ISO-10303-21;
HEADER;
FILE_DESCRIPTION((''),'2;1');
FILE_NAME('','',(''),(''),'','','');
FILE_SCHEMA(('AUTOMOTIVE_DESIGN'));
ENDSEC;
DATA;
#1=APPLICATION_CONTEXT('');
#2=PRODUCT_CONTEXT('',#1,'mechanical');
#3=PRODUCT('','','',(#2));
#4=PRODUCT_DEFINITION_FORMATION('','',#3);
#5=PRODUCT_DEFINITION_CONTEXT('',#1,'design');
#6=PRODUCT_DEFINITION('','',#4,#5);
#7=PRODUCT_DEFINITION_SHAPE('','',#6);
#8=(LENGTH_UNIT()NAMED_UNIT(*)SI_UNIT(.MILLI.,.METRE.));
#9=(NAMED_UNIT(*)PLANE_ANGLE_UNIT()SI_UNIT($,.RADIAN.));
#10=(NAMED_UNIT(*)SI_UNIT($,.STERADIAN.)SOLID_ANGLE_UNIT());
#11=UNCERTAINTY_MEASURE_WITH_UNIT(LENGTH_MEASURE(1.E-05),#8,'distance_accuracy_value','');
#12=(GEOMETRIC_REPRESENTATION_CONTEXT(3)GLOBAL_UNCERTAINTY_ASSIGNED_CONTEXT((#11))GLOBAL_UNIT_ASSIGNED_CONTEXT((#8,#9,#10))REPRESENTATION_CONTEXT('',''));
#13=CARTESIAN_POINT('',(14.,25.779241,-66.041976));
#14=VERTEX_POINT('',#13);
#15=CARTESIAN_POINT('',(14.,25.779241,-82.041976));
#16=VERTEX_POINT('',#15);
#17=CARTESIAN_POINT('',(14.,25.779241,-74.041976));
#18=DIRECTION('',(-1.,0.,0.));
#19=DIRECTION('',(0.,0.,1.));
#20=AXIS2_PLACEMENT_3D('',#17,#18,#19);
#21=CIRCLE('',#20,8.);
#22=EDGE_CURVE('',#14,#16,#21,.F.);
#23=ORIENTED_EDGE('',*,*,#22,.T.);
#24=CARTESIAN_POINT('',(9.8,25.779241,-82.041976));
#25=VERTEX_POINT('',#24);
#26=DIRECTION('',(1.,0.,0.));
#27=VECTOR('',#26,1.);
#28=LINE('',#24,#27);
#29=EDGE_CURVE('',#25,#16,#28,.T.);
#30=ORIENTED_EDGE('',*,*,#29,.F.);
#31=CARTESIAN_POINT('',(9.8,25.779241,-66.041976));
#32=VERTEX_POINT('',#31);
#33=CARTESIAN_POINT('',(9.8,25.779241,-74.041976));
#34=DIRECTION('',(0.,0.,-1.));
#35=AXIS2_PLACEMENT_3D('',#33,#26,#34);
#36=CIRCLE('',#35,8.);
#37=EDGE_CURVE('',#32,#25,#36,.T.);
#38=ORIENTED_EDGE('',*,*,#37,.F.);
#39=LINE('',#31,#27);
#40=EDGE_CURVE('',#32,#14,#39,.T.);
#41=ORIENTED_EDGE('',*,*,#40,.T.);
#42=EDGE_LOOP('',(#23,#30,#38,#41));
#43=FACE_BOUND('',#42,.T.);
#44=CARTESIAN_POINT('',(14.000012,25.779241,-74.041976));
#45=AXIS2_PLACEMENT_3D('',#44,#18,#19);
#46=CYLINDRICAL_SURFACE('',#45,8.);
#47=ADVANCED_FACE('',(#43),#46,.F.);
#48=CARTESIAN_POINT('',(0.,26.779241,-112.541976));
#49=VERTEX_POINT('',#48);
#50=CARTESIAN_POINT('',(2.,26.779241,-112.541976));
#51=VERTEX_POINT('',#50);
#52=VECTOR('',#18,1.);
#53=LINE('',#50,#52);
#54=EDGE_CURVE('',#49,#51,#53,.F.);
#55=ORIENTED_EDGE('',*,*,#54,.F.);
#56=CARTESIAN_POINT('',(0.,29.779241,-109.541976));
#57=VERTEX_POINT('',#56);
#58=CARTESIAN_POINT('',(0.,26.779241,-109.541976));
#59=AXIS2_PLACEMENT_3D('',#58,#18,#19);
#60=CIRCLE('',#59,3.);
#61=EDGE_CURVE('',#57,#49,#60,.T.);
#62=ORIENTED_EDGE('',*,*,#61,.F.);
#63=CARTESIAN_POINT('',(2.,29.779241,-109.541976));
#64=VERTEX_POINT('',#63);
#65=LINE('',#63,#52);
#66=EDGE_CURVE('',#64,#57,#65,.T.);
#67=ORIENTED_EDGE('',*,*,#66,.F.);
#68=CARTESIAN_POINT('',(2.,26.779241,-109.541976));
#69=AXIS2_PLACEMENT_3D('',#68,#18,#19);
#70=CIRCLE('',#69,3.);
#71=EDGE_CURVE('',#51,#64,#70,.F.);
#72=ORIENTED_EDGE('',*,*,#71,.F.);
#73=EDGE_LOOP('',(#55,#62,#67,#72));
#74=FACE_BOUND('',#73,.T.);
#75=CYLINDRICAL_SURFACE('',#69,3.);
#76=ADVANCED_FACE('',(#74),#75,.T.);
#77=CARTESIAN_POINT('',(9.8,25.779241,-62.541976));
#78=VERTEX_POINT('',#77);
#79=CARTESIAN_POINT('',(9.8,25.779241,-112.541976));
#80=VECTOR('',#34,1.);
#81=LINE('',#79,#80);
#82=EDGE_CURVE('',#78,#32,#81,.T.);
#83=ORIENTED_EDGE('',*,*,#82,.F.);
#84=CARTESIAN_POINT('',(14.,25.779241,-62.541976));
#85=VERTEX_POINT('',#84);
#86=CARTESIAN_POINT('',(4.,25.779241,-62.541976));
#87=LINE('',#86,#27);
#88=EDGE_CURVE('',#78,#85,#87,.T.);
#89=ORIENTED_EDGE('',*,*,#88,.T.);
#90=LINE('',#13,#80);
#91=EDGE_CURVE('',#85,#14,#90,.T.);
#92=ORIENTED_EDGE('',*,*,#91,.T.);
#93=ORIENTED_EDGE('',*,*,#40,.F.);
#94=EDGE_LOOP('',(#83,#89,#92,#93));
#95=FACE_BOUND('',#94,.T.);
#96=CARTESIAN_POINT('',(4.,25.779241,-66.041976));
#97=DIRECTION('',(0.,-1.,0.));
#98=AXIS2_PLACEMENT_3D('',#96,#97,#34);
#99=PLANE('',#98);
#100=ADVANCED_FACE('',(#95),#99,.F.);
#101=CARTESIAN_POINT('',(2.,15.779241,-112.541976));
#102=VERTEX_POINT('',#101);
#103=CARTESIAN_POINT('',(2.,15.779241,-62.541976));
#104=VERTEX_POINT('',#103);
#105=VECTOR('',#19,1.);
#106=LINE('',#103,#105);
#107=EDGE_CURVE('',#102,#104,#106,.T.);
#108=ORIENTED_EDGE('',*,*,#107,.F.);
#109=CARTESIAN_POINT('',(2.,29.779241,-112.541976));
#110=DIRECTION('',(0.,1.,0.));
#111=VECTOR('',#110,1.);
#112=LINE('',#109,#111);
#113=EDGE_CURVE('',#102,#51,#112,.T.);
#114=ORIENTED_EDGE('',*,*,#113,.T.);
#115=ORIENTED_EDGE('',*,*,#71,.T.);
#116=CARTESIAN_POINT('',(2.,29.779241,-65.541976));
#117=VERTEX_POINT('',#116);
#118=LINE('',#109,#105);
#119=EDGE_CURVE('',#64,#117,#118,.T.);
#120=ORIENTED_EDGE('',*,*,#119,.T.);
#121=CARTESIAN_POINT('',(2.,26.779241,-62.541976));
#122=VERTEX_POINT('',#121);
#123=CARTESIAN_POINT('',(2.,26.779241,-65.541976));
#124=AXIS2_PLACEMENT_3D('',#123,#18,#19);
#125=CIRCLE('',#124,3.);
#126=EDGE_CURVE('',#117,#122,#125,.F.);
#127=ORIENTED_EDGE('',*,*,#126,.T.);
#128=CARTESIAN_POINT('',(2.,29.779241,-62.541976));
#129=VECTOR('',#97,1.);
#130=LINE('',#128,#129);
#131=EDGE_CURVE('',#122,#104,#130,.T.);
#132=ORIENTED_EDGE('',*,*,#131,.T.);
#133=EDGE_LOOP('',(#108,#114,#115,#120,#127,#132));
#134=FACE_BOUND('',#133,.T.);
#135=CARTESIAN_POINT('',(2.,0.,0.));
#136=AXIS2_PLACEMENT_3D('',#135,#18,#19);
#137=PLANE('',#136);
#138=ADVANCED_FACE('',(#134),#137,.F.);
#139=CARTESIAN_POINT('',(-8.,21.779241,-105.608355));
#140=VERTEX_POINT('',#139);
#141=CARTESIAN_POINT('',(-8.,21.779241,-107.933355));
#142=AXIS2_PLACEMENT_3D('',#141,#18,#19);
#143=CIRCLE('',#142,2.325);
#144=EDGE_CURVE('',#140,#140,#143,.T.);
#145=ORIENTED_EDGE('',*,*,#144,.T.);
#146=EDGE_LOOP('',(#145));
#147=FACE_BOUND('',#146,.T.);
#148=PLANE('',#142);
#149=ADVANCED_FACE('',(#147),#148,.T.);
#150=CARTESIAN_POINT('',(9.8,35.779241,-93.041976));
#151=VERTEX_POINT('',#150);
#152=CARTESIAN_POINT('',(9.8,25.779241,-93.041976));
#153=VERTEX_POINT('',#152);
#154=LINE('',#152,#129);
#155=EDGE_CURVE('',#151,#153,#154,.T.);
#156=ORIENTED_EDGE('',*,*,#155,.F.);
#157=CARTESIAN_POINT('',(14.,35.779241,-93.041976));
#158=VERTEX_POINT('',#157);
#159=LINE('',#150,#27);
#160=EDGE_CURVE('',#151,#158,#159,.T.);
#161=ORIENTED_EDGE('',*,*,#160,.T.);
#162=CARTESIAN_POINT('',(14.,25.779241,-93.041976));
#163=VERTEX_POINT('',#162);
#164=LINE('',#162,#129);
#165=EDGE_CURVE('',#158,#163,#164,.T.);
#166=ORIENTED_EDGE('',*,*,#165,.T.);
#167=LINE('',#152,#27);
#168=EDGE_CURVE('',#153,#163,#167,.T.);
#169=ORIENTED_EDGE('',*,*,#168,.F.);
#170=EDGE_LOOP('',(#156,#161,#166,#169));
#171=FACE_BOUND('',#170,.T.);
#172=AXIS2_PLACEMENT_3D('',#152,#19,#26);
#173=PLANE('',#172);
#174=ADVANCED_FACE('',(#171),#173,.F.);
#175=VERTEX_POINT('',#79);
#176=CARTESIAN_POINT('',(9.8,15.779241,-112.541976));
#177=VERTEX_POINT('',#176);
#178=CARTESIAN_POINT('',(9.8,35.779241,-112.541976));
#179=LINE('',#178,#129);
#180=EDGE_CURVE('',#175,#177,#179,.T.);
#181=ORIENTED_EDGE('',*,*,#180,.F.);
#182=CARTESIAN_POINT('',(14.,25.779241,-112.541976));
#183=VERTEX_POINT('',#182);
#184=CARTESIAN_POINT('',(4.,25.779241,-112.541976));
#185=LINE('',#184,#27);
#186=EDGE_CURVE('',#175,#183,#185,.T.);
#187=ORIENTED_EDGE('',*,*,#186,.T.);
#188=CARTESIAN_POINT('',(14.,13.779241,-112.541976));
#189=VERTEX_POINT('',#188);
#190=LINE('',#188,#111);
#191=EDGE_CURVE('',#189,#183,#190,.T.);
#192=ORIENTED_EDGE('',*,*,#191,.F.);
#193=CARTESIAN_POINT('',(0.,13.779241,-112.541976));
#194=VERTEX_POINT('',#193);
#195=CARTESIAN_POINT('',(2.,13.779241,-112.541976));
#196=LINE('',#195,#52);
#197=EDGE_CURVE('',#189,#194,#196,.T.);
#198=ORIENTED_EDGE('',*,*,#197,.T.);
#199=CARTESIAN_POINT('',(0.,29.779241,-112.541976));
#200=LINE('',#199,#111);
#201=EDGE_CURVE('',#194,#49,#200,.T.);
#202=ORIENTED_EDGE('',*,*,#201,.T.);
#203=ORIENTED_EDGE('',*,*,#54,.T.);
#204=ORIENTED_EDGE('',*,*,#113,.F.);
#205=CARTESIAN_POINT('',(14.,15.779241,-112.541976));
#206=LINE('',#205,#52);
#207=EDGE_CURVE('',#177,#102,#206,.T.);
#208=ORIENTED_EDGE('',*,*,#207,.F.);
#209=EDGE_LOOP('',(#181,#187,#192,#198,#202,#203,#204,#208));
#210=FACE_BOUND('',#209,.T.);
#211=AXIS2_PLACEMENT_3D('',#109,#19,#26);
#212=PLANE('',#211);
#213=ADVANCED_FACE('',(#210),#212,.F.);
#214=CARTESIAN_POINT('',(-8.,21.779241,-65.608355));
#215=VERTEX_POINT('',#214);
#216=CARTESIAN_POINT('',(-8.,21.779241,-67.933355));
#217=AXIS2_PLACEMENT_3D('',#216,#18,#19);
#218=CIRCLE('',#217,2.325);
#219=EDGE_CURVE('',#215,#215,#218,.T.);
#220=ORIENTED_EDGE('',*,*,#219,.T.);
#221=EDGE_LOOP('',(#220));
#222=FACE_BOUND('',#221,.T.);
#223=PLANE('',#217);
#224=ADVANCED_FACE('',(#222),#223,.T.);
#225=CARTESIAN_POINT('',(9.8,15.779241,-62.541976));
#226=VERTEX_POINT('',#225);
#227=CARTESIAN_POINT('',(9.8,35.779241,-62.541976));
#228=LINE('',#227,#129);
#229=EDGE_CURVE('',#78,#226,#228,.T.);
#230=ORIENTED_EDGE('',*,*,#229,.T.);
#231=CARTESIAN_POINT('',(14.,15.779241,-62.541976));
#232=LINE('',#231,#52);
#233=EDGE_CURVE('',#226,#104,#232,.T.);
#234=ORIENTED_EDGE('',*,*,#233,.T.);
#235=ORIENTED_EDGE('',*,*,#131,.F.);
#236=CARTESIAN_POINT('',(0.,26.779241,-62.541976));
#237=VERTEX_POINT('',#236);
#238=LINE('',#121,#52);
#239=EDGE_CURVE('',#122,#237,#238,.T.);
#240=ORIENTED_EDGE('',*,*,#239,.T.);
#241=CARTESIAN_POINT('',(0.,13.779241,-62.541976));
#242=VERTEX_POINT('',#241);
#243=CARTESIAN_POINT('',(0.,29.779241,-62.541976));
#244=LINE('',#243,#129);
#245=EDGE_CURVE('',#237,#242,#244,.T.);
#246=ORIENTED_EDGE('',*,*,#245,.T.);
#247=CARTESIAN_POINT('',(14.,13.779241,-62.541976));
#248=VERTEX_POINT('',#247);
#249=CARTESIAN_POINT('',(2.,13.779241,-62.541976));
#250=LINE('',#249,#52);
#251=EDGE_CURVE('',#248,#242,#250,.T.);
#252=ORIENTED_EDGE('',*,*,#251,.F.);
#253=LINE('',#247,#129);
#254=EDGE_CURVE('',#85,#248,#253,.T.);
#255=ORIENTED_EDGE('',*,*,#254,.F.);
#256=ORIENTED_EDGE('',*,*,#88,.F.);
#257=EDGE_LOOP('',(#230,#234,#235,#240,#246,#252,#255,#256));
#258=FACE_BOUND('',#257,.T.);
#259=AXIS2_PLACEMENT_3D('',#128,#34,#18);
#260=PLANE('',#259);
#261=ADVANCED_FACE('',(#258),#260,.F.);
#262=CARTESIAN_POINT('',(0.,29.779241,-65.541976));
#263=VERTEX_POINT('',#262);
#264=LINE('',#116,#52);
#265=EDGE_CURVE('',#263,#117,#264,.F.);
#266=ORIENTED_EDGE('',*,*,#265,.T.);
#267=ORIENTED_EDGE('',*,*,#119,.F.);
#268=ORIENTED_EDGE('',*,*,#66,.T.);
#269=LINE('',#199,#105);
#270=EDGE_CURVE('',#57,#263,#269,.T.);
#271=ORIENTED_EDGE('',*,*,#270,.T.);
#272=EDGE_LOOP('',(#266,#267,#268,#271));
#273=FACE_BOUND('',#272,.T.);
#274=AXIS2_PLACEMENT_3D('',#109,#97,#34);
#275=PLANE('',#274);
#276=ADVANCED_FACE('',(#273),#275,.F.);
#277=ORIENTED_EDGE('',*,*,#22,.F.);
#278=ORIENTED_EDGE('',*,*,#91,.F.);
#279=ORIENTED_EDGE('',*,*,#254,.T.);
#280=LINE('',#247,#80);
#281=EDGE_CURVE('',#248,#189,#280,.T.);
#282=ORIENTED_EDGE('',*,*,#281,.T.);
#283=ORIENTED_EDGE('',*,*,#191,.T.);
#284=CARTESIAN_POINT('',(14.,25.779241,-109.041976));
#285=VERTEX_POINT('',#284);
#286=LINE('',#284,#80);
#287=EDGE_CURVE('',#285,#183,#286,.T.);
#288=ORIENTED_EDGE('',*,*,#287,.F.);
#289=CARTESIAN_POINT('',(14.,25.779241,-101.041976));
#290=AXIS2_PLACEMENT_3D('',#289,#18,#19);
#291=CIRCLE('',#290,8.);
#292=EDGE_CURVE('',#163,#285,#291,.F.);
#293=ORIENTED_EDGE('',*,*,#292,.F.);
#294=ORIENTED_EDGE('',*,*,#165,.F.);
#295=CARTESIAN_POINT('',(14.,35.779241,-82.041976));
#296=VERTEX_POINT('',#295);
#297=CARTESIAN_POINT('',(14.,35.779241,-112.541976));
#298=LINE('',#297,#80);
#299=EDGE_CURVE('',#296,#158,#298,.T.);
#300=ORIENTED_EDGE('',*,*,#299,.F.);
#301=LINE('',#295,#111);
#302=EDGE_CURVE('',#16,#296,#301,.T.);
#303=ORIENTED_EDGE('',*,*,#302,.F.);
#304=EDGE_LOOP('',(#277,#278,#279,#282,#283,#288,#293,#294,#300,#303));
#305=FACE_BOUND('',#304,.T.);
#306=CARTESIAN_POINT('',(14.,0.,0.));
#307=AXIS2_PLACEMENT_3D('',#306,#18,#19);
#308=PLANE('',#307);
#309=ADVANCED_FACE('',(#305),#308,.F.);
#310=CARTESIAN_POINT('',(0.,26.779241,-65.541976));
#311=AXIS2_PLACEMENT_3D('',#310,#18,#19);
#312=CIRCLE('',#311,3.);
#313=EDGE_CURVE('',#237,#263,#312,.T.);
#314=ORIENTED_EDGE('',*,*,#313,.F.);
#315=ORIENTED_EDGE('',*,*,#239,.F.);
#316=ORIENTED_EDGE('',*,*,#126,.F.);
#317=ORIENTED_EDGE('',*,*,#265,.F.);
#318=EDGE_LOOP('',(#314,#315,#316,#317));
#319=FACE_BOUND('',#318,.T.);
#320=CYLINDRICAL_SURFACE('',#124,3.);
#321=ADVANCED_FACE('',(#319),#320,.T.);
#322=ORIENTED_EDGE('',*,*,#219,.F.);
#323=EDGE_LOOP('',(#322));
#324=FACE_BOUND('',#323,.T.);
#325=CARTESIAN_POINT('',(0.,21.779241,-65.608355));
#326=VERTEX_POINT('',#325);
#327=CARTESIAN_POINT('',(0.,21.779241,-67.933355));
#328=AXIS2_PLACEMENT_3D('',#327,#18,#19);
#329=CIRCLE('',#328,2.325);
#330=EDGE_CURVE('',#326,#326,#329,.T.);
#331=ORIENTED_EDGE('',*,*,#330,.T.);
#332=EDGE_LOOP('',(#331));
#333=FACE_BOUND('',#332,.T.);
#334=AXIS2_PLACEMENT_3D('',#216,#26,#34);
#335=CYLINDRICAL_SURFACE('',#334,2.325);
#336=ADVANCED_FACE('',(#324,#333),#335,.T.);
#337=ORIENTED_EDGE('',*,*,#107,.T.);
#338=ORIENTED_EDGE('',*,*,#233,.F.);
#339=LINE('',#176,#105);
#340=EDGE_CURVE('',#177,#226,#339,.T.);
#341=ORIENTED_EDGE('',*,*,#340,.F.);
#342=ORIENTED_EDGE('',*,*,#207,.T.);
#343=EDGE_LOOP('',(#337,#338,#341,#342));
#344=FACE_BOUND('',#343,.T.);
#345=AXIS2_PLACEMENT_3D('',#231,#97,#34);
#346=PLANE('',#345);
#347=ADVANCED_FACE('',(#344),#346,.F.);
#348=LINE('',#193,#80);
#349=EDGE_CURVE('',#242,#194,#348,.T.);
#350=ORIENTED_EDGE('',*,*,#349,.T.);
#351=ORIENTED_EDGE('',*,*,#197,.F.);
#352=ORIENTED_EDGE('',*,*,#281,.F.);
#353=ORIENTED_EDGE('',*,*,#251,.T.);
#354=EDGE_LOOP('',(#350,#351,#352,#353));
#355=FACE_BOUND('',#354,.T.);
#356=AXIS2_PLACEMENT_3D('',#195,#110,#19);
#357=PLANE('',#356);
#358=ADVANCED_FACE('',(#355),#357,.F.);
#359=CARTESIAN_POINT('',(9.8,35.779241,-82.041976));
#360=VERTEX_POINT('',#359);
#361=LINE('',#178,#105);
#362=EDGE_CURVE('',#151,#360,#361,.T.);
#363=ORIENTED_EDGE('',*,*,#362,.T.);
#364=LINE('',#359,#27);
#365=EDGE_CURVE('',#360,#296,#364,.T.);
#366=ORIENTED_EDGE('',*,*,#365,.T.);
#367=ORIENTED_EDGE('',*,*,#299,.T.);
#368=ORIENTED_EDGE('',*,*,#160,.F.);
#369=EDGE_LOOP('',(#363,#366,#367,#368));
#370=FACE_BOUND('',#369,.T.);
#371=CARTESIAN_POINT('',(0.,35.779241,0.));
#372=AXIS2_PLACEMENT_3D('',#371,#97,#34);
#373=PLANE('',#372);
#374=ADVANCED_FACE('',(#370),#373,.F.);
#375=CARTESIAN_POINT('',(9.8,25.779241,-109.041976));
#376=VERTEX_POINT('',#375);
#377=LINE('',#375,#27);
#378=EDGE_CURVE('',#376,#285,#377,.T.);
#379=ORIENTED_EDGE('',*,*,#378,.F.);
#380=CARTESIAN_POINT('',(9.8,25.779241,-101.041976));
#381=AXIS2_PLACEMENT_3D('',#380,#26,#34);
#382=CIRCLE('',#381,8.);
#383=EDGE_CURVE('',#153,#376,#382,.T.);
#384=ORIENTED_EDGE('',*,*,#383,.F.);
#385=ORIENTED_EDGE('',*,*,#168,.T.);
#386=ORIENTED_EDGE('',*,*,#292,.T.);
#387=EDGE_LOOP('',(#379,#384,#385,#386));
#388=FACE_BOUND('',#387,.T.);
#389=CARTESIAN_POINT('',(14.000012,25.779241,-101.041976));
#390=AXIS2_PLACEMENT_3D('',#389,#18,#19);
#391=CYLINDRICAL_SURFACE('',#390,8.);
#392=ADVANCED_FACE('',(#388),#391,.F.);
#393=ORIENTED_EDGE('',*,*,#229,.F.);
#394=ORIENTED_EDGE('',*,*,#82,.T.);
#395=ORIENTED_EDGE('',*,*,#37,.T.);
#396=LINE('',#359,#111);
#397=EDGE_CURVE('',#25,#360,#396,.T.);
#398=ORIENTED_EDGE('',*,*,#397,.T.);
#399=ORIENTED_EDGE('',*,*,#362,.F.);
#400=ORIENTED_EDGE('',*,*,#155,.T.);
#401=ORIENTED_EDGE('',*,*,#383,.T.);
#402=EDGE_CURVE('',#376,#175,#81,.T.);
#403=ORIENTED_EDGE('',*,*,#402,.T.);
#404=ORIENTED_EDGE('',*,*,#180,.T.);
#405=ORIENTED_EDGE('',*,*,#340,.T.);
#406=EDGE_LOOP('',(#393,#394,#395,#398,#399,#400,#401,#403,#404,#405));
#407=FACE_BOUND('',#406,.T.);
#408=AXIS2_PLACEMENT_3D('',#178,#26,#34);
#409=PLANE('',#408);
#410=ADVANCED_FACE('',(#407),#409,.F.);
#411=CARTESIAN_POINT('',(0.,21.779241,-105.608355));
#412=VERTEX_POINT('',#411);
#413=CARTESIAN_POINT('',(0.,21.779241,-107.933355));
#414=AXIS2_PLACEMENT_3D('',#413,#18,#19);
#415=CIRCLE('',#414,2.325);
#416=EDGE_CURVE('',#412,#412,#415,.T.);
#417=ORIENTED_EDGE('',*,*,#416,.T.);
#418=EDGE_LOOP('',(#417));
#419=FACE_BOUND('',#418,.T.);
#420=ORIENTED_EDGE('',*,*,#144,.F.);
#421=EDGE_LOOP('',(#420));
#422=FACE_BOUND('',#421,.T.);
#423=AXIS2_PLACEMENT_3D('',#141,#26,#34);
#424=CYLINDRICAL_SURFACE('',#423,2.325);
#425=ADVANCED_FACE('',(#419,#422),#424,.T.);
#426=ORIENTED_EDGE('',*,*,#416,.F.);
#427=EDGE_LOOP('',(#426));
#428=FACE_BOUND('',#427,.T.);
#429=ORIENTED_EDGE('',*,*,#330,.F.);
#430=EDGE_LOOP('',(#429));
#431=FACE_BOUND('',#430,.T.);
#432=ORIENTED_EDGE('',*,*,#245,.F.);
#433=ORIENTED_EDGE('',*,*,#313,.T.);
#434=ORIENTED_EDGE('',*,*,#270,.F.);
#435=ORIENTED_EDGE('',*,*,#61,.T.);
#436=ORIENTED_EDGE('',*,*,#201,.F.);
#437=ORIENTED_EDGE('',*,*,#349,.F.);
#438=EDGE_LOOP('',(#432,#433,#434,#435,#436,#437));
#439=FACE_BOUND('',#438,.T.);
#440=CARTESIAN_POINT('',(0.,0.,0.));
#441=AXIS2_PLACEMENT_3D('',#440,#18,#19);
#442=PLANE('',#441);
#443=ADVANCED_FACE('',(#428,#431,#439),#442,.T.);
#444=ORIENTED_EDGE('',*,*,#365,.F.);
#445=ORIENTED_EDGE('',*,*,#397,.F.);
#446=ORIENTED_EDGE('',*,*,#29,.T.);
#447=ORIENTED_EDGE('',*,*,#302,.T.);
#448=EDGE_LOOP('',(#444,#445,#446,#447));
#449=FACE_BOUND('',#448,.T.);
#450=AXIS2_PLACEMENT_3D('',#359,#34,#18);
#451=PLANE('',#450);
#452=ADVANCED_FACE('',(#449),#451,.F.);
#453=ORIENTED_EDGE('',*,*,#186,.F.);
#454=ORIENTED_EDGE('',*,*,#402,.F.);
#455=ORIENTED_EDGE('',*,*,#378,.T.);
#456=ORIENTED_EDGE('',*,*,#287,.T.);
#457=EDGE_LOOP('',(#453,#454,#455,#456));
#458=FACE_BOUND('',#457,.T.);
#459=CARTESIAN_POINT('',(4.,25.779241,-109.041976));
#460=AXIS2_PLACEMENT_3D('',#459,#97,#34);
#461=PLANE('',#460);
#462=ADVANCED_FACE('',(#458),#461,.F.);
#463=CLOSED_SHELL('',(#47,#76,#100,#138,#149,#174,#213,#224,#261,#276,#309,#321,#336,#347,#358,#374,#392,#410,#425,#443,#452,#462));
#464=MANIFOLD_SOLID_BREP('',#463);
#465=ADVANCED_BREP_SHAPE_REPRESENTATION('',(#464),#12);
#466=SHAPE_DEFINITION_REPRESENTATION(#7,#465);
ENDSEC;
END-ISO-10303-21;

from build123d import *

# Parameters (mm, degrees)
SKETCH1_W               = 50
SKETCH1_H               = 16
BOSS_EXTRUDE1_DEPTH     = 2
SKETCH2_R               = 2.325
BOSS_EXTRUDE2_DEPTH     = 8
SKETCH3_W               = 50
SKETCH3_H               = 2
BOSS_EXTRUDE3_DEPTH     = 12
SKETCH4_W               = 4.2
SKETCH4_H               = 50
BOSS_EXTRUDE4_DEPTH     = 20
CUT_EXTRUDE1_DEPTH      = 121.124312029
CUT_EXTRUDE1_DEPTH_BACK = 4.2
SKETCH7_R               = 8
SKETCH8_W               = 16
SKETCH8_H               = 10
CUT_EXTRUDE2_DEPTH      = 4.2
FILLET1_R               = 3
SKETCH9_W               = 3.5
SKETCH9_H               = 10
CUT_EXTRUDE4_DEPTH      = 10


with BuildPart() as part:
    # Sketch1 → Boss-Extrude1 (new body)
    with BuildSketch(Plane(origin=(0, 0, 0), x_dir=(0, 0, -1), z_dir=(1, 0, 0))):
        with Locations((87.541975563, 21.779240865)):
            Rectangle(SKETCH1_W, SKETCH1_H)
    extrude(amount=BOSS_EXTRUDE1_DEPTH)

    # Sketch2 → Boss-Extrude2 (add)
    with BuildSketch(Plane.ZY):
        with Locations((-107.933354654, 21.779240865)):
            Circle(SKETCH2_R)
        with Locations((-67.933354654, 21.779240865)):
            Circle(SKETCH2_R)
    extrude(amount=BOSS_EXTRUDE2_DEPTH)

    # Sketch3 → Boss-Extrude3 (add)
    with BuildSketch(Plane(origin=(2, 0, 0), x_dir=(0, 0, -1), z_dir=(1, 0, 0))):
        with Locations((87.541975563, 14.779240865)):
            Rectangle(SKETCH3_W, SKETCH3_H)
    extrude(amount=BOSS_EXTRUDE3_DEPTH)

    # Sketch4 → Boss-Extrude4 (add)
    with BuildSketch(Plane(origin=(0, 15.779240865, 0), x_dir=(1, 0, 0), z_dir=(0, 1, 0))):
        with Locations((11.9, 87.541975563)):
            Rectangle(SKETCH4_W, SKETCH4_H)
    extrude(amount=BOSS_EXTRUDE4_DEPTH)

    # Sketch7 → Cut-Extrude1 (cut, two sides: drawn at the far end of the back side and taken through both)
    with BuildSketch(Plane(origin=(14, 0, 0), x_dir=(0, 0, -1), z_dir=(1, 0, 0)).offset(-CUT_EXTRUDE1_DEPTH_BACK)):
        with Locations(Location((74.041975563, 25.779240865, 0), (0, 0, 180))):
            Circle(SKETCH7_R)
        with Locations(Location((101.041975563, 25.779240865, 0), (0, 0, 180))):
            Circle(SKETCH7_R)
    extrude(amount=CUT_EXTRUDE1_DEPTH + CUT_EXTRUDE1_DEPTH_BACK, mode=Mode.SUBTRACT)

    # Sketch8 → Cut-Extrude2 (cut)
    with BuildSketch(Plane(origin=(14, 0, 0), x_dir=(0, 0, -1), z_dir=(1, 0, 0))):
        with Locations((74.041975563, 30.779240865)):
            Rectangle(SKETCH8_W, SKETCH8_H)
        with Locations((101.041975563, 30.779240865)):
            Rectangle(SKETCH8_W, SKETCH8_H)
    extrude(amount=-CUT_EXTRUDE2_DEPTH, mode=Mode.SUBTRACT)

    # Fillet1
    fillet1_edges = [part.edges().sort_by_distance(p)[0] for p in [
        (1, 29.779240865, -62.541975563),
        (1, 29.779240865, -112.541975563),
    ]]
    fillet(fillet1_edges, radius=FILLET1_R)

    # Sketch9 → Cut-Extrude4 (cut)
    with BuildSketch(Plane(origin=(14, 0, 0), x_dir=(0, 0, -1), z_dir=(1, 0, 0))):
        with Locations((64.291975563, 30.779240865)):
            Rectangle(SKETCH9_W, SKETCH9_H)
        with Locations((110.791975563, 30.779240865)):
            Rectangle(SKETCH9_W, SKETCH9_H)
    extrude(amount=-CUT_EXTRUDE4_DEPTH, mode=Mode.SUBTRACT)


solid = part.part
